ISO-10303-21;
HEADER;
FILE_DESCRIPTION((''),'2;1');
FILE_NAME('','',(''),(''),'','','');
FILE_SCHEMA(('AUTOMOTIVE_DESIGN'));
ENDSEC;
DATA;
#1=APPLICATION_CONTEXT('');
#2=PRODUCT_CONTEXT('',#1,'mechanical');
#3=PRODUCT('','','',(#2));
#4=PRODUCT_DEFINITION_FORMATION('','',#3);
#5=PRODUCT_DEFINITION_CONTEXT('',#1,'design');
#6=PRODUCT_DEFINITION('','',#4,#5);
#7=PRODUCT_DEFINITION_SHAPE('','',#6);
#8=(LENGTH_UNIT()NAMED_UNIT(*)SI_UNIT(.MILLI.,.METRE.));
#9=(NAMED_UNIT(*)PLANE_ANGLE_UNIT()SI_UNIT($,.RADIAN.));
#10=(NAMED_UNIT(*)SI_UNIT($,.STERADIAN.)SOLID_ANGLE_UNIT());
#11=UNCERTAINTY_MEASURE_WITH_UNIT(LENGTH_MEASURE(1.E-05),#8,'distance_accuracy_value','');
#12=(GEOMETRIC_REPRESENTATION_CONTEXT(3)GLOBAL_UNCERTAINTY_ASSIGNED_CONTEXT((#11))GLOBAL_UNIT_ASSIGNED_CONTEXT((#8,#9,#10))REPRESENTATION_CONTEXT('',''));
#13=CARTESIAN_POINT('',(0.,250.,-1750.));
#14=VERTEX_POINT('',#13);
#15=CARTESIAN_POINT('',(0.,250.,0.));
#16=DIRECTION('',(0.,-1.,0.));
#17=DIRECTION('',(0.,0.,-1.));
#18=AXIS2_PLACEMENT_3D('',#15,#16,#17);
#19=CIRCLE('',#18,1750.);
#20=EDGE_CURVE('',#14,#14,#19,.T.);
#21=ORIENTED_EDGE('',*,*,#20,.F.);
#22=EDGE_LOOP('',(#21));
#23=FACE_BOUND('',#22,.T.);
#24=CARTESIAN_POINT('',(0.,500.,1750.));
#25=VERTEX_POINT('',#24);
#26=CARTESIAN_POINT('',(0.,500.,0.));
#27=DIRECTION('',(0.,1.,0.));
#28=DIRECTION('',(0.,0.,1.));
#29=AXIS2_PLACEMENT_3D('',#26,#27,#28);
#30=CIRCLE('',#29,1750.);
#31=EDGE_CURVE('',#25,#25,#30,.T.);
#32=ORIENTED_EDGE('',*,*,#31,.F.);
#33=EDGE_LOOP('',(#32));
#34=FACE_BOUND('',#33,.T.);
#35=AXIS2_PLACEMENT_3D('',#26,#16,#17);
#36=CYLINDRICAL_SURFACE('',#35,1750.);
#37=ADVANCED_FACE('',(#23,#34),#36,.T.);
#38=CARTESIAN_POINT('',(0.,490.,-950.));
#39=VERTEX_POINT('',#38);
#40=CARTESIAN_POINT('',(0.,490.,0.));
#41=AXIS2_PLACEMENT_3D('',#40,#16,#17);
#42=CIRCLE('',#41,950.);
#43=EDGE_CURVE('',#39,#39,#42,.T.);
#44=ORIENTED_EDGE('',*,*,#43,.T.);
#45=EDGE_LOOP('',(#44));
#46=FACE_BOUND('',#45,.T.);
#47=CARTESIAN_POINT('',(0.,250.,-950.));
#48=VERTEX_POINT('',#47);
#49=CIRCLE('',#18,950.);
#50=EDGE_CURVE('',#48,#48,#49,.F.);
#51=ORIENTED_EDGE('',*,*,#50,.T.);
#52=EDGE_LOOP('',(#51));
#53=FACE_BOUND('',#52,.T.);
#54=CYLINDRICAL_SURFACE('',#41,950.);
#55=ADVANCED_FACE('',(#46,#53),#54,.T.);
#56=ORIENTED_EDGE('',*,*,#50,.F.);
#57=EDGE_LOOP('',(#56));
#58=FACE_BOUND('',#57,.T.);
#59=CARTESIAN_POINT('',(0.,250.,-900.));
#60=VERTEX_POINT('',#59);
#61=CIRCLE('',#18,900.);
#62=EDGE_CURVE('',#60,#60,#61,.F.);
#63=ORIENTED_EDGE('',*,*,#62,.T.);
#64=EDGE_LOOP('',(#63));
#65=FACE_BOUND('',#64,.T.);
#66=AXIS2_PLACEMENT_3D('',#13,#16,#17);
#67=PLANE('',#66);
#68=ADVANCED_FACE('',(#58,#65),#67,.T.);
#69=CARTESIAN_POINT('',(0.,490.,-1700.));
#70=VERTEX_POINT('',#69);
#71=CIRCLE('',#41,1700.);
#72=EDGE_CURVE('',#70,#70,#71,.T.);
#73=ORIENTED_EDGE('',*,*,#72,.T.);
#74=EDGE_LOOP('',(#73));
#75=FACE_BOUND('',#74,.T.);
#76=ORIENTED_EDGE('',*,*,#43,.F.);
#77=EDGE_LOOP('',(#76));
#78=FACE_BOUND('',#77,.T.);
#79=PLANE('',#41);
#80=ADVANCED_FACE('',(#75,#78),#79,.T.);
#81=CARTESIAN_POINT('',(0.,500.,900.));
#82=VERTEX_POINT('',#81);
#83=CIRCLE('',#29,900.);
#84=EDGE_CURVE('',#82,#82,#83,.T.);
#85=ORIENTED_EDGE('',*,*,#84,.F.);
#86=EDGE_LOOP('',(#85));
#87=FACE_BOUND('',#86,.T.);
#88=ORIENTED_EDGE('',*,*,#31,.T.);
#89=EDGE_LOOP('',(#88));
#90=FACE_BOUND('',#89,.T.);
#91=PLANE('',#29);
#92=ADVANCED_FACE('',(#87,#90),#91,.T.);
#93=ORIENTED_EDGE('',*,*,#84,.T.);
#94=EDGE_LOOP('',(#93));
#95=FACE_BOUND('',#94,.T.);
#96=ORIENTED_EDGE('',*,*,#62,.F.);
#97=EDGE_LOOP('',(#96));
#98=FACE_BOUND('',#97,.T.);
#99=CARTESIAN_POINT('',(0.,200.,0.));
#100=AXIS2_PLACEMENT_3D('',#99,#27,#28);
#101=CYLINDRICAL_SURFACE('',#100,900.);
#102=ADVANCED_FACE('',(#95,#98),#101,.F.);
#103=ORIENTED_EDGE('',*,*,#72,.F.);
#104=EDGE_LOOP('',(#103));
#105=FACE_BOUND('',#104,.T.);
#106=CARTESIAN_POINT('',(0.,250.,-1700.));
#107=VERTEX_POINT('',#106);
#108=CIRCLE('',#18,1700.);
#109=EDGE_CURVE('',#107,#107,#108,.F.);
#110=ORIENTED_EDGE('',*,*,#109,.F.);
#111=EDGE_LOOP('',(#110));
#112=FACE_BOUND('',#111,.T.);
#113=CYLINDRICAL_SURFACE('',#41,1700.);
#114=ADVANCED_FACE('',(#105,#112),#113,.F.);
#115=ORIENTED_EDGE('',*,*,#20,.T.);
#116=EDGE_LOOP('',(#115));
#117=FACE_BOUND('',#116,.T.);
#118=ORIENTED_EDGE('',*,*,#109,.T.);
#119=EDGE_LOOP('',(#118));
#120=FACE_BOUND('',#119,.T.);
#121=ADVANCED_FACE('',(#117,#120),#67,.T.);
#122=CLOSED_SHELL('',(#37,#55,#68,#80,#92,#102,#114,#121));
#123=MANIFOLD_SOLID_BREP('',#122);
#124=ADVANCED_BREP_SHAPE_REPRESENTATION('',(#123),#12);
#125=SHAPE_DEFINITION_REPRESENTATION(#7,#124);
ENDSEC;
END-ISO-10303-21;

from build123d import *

# Parameters (mm, degrees)
SKETCH1_R               = 1750
BOSS_EXTRUDE1_DEPTH     = 500
SKETCH2_R               = 900
CUT_EXTRUDE2_DEPTH      = 300
SKETCH3_R               = 600
CUT_EXTRUDE3_DEPTH      = 300
SKETCH4_R               = 1700
SKETCH4_R_2             = 950
CUT_EXTRUDE5_DEPTH      = 490
CUT_EXTRUDE6_DEPTH      = 2525.876234591
CUT_EXTRUDE6_DEPTH_BACK = 2525.876234591
SKETCH5_W               = 1750
SKETCH5_H               = 250


with BuildPart() as part:
    # Sketch1 → Boss-Extrude1 (new body)
    with BuildSketch(Plane(origin=(0, 0, 0), x_dir=(1, 0, 0), z_dir=(0, 1, 0))):
        with Locations(Location((0, 0, 0), (0, 0, 270))):
            Circle(SKETCH1_R)
    extrude(amount=BOSS_EXTRUDE1_DEPTH)

    # Sketch2 → Cut-Extrude2 (cut)
    with BuildSketch(Plane(origin=(0, 500, 0), x_dir=(1, 0, 0), z_dir=(0, 1, 0))):
        with Locations(Location((0, 0, 0), (0, 0, 270))):
            Circle(SKETCH2_R)
    extrude(amount=-CUT_EXTRUDE2_DEPTH, mode=Mode.SUBTRACT)

    # Sketch3 → Cut-Extrude3 (cut)
    with BuildSketch(Plane.XZ):
        with Locations(Location((0, 0, 0), (0, 0, 270))):
            Circle(SKETCH3_R)
    extrude(amount=-CUT_EXTRUDE3_DEPTH, mode=Mode.SUBTRACT)

    # Sketch4 → Cut-Extrude5 (cut)
    with BuildSketch(Plane(origin=(0, 0, 0), x_dir=(-1, 0, 0), z_dir=(0, -1, 0))):
        with Locations(Location((0, 0, 0), (0, 0, 90))):
            Circle(SKETCH4_R)
        with Locations(Location((0, 0, 0), (0, 0, 90))):
            Circle(SKETCH4_R_2, mode=Mode.SUBTRACT)
    extrude(amount=-CUT_EXTRUDE5_DEPTH, mode=Mode.SUBTRACT)

    # Sketch5 → Cut-Extrude6 (cut, two sides: drawn at the far end of the back side and taken through both)
    with BuildSketch(Plane.XY.offset(-CUT_EXTRUDE6_DEPTH_BACK)):
        with Locations((-875, 125)):
            Rectangle(SKETCH5_W, SKETCH5_H)
        with Locations((875, 125)):
            Rectangle(SKETCH5_W, SKETCH5_H)
    extrude(amount=CUT_EXTRUDE6_DEPTH + CUT_EXTRUDE6_DEPTH_BACK, mode=Mode.SUBTRACT)


solid = part.part
